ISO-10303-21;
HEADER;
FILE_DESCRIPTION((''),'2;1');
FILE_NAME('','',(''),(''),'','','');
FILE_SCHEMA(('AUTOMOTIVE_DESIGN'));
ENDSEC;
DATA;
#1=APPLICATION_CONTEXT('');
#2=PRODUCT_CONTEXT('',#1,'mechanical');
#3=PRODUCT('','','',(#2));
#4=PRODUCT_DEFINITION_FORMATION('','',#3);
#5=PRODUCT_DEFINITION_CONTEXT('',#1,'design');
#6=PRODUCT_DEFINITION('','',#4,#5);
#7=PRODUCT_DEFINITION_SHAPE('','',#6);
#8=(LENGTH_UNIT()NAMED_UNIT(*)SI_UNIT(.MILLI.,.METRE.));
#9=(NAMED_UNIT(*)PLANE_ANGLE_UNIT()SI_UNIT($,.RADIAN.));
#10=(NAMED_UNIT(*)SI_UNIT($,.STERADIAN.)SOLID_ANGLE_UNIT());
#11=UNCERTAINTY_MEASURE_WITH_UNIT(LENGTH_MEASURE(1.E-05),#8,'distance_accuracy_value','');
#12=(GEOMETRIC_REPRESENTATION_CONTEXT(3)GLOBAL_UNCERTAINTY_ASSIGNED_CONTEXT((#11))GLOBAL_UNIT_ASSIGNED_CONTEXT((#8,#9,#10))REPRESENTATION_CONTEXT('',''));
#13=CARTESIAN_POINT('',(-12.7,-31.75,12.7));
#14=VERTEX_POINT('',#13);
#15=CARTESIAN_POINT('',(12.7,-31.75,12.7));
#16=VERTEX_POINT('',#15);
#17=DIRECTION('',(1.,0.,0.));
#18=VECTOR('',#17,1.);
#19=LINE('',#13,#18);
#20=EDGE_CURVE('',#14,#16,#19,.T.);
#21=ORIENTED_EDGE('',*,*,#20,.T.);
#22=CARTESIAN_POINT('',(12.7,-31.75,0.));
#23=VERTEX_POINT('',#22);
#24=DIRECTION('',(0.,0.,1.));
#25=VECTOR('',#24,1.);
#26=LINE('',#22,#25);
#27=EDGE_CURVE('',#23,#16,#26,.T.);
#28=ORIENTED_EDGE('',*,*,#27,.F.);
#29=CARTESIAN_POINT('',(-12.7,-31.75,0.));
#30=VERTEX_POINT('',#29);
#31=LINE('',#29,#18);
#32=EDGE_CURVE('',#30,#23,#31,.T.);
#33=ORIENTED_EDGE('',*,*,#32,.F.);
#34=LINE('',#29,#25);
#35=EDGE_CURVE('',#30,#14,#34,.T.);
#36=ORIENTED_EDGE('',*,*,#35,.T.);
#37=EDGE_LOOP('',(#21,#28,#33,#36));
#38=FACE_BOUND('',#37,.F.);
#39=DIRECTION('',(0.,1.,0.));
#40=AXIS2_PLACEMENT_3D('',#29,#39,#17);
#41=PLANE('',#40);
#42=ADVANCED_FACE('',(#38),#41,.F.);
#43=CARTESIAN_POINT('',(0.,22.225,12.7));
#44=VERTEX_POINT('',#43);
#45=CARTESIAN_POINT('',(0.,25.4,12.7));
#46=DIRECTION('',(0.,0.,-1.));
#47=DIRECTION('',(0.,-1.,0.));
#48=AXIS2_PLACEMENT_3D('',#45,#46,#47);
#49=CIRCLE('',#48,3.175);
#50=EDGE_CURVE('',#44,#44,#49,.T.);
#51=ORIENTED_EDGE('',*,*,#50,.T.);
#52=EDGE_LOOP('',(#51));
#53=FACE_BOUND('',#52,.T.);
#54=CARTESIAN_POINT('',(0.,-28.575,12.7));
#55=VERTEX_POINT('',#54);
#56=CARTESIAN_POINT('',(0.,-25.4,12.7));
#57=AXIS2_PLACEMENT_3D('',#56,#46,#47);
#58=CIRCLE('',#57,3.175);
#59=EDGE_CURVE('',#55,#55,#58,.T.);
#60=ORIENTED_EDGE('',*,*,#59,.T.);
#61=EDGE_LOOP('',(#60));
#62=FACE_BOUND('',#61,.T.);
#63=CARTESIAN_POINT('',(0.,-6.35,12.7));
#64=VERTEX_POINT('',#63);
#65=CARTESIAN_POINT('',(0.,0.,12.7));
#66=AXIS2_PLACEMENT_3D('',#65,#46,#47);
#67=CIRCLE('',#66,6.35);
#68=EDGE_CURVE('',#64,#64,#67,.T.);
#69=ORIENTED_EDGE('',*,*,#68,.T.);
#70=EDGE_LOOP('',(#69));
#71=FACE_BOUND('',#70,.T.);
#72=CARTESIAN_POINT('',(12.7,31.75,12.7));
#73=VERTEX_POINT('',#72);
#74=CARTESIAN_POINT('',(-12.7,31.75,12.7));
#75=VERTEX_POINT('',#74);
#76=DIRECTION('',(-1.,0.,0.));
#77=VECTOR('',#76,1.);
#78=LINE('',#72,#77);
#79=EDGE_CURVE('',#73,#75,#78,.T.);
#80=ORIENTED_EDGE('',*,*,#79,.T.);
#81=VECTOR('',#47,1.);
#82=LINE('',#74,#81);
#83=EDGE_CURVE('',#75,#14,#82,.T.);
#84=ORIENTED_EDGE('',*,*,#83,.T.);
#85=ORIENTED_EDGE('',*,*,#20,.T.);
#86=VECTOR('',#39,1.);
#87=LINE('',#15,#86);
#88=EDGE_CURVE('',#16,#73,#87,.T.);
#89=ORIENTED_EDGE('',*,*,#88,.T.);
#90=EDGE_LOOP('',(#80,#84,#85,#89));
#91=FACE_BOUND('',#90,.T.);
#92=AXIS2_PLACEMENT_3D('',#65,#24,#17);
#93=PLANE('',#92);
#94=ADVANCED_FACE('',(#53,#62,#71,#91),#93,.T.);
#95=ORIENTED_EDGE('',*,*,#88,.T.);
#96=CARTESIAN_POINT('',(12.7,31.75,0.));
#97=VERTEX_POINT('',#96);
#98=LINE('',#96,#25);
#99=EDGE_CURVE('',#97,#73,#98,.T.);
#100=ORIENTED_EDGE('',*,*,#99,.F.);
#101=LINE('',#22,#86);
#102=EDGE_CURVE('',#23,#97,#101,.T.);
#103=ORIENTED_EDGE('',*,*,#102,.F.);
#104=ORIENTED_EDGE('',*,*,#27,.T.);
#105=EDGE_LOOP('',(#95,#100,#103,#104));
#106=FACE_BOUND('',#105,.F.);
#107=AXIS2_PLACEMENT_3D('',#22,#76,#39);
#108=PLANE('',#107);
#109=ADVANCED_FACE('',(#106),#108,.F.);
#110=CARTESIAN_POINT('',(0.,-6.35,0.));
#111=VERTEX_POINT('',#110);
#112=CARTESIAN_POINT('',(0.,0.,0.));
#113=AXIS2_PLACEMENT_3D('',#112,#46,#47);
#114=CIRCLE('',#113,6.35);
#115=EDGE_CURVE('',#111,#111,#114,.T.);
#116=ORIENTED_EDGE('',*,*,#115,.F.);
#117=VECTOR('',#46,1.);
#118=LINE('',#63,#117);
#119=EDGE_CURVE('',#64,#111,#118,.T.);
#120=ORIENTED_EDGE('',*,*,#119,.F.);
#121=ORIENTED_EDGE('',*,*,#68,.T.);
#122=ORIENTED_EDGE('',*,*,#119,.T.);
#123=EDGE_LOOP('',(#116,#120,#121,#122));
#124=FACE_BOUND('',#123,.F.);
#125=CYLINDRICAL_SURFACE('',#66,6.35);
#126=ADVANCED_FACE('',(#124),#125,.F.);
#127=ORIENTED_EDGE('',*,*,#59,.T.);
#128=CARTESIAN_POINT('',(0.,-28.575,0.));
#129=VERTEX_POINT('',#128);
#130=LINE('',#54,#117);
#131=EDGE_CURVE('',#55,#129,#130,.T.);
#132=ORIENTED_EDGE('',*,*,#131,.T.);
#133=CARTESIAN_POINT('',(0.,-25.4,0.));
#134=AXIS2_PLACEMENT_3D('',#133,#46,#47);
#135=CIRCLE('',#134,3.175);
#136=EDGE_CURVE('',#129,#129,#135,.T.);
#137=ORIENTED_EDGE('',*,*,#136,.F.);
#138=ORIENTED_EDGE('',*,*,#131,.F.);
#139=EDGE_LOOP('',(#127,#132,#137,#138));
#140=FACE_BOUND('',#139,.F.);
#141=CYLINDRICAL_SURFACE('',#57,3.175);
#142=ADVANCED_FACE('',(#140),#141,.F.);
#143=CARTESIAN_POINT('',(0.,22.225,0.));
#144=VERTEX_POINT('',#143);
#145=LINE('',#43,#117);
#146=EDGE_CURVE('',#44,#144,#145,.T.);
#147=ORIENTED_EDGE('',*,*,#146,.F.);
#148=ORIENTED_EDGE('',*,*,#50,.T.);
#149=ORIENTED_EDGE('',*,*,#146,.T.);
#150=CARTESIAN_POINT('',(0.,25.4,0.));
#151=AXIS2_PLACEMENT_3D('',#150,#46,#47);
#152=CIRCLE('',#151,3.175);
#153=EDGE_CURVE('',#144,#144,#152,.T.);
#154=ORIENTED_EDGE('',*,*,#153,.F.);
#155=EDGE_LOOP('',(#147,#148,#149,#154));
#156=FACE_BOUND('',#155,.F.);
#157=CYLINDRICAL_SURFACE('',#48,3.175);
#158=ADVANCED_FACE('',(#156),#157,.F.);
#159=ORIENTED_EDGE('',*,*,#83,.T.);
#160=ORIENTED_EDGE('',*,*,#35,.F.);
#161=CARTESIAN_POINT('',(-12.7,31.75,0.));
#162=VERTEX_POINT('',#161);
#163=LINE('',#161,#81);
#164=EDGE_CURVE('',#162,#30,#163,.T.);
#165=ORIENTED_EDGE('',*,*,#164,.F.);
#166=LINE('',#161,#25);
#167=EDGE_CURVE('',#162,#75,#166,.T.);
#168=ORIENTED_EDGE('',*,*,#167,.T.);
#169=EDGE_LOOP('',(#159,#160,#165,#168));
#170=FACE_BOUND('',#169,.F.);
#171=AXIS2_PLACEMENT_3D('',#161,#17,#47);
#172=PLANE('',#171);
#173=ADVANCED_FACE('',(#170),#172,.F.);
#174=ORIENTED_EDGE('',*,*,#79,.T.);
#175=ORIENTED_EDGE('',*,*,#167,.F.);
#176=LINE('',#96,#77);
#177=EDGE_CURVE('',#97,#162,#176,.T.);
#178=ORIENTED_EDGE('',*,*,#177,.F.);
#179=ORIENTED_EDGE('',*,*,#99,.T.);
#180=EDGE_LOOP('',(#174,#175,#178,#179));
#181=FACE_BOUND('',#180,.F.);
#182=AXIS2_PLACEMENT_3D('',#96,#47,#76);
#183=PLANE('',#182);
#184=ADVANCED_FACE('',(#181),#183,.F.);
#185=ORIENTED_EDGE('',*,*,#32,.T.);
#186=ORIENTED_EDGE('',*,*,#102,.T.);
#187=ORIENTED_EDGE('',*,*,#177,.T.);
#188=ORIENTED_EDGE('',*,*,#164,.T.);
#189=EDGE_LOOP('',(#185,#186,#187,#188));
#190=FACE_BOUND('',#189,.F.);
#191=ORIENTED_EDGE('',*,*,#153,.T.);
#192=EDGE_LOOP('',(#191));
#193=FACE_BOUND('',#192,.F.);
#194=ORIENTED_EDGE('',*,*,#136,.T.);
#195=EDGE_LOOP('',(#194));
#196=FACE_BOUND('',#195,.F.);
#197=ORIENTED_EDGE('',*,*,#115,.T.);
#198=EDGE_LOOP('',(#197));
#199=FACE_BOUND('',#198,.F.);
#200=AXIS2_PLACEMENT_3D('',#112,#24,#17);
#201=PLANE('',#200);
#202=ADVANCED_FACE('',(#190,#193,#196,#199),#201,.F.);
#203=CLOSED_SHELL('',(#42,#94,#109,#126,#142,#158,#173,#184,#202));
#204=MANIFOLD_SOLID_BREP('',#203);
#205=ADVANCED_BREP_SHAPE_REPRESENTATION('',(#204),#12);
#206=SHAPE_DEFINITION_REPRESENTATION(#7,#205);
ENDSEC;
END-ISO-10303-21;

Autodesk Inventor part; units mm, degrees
ref_plane "YZ Plane" through (0, 0, 0) normal (1, 0, 0) x (0, 1, 0)
ref_plane "XZ Plane" through (0, 0, 0) normal (0, 1, 0) x (-1, 0, 0)
ref_plane "XY Plane" through (0, 0, 0) normal (0, 0, 1) x (1, 0, 0)
sketch "Sketch1" plane through (0, 0, 0) normal (0, 0, 1) x (1, 0, 0)
  line L0 (-12.7, -31.75) -> (12.7, -31.75)
  line L1 (12.7, -31.75) -> (12.7, 31.75)
  line L2 (12.7, 31.75) -> (-12.7, 31.75)
  line L3 (-12.7, 31.75) -> (-12.7, -31.75)
  line L4 (-12.7, -31.75) -> (12.7, 31.75) construction
  line L5 (12.7, -31.75) -> (-12.7, 31.75) construction
  point P0 (0, 0)
  dimension "d0" = 25.4
  dimension "d1" = 63.5
extrude "Extrusion1" add sketch "Sketch1" along normal blind 12.7
sketch "Sketch2" plane through (0, 0, 12.7) normal (0, 0, 1) x (1, 0, 0)
  line L0 (-12.7, -31.75) -> (12.7, -31.75) projected
  line L1 (12.7, 31.75) -> (-12.7, 31.75) projected
  line L2 (-12.7, 31.75) -> (-12.7, -31.75) projected
  line L3 (0, 31.75) -> (0, 25.4)
  line L4 (0, -31.75) -> (0, -25.4)
  point P0 (0, 0)
  dimension "d4" = 6.35
  dimension "d5" = 6.35
hole "Hole2" at (0, 25.4, 12.7) at (0, -25.4, 12.7) direction (0, 0, -1) diameter 6.35 end through all
sketch "Sketch3" plane through (0, 0, 12.7) normal (0, 0, 1) x (1, 0, 0)
  point P0 (0, 0)
hole "Hole3" at (0, 0, 12.7) direction (0, 0, -1) diameter 12.7 end through all
properties part number "3 in bar"
